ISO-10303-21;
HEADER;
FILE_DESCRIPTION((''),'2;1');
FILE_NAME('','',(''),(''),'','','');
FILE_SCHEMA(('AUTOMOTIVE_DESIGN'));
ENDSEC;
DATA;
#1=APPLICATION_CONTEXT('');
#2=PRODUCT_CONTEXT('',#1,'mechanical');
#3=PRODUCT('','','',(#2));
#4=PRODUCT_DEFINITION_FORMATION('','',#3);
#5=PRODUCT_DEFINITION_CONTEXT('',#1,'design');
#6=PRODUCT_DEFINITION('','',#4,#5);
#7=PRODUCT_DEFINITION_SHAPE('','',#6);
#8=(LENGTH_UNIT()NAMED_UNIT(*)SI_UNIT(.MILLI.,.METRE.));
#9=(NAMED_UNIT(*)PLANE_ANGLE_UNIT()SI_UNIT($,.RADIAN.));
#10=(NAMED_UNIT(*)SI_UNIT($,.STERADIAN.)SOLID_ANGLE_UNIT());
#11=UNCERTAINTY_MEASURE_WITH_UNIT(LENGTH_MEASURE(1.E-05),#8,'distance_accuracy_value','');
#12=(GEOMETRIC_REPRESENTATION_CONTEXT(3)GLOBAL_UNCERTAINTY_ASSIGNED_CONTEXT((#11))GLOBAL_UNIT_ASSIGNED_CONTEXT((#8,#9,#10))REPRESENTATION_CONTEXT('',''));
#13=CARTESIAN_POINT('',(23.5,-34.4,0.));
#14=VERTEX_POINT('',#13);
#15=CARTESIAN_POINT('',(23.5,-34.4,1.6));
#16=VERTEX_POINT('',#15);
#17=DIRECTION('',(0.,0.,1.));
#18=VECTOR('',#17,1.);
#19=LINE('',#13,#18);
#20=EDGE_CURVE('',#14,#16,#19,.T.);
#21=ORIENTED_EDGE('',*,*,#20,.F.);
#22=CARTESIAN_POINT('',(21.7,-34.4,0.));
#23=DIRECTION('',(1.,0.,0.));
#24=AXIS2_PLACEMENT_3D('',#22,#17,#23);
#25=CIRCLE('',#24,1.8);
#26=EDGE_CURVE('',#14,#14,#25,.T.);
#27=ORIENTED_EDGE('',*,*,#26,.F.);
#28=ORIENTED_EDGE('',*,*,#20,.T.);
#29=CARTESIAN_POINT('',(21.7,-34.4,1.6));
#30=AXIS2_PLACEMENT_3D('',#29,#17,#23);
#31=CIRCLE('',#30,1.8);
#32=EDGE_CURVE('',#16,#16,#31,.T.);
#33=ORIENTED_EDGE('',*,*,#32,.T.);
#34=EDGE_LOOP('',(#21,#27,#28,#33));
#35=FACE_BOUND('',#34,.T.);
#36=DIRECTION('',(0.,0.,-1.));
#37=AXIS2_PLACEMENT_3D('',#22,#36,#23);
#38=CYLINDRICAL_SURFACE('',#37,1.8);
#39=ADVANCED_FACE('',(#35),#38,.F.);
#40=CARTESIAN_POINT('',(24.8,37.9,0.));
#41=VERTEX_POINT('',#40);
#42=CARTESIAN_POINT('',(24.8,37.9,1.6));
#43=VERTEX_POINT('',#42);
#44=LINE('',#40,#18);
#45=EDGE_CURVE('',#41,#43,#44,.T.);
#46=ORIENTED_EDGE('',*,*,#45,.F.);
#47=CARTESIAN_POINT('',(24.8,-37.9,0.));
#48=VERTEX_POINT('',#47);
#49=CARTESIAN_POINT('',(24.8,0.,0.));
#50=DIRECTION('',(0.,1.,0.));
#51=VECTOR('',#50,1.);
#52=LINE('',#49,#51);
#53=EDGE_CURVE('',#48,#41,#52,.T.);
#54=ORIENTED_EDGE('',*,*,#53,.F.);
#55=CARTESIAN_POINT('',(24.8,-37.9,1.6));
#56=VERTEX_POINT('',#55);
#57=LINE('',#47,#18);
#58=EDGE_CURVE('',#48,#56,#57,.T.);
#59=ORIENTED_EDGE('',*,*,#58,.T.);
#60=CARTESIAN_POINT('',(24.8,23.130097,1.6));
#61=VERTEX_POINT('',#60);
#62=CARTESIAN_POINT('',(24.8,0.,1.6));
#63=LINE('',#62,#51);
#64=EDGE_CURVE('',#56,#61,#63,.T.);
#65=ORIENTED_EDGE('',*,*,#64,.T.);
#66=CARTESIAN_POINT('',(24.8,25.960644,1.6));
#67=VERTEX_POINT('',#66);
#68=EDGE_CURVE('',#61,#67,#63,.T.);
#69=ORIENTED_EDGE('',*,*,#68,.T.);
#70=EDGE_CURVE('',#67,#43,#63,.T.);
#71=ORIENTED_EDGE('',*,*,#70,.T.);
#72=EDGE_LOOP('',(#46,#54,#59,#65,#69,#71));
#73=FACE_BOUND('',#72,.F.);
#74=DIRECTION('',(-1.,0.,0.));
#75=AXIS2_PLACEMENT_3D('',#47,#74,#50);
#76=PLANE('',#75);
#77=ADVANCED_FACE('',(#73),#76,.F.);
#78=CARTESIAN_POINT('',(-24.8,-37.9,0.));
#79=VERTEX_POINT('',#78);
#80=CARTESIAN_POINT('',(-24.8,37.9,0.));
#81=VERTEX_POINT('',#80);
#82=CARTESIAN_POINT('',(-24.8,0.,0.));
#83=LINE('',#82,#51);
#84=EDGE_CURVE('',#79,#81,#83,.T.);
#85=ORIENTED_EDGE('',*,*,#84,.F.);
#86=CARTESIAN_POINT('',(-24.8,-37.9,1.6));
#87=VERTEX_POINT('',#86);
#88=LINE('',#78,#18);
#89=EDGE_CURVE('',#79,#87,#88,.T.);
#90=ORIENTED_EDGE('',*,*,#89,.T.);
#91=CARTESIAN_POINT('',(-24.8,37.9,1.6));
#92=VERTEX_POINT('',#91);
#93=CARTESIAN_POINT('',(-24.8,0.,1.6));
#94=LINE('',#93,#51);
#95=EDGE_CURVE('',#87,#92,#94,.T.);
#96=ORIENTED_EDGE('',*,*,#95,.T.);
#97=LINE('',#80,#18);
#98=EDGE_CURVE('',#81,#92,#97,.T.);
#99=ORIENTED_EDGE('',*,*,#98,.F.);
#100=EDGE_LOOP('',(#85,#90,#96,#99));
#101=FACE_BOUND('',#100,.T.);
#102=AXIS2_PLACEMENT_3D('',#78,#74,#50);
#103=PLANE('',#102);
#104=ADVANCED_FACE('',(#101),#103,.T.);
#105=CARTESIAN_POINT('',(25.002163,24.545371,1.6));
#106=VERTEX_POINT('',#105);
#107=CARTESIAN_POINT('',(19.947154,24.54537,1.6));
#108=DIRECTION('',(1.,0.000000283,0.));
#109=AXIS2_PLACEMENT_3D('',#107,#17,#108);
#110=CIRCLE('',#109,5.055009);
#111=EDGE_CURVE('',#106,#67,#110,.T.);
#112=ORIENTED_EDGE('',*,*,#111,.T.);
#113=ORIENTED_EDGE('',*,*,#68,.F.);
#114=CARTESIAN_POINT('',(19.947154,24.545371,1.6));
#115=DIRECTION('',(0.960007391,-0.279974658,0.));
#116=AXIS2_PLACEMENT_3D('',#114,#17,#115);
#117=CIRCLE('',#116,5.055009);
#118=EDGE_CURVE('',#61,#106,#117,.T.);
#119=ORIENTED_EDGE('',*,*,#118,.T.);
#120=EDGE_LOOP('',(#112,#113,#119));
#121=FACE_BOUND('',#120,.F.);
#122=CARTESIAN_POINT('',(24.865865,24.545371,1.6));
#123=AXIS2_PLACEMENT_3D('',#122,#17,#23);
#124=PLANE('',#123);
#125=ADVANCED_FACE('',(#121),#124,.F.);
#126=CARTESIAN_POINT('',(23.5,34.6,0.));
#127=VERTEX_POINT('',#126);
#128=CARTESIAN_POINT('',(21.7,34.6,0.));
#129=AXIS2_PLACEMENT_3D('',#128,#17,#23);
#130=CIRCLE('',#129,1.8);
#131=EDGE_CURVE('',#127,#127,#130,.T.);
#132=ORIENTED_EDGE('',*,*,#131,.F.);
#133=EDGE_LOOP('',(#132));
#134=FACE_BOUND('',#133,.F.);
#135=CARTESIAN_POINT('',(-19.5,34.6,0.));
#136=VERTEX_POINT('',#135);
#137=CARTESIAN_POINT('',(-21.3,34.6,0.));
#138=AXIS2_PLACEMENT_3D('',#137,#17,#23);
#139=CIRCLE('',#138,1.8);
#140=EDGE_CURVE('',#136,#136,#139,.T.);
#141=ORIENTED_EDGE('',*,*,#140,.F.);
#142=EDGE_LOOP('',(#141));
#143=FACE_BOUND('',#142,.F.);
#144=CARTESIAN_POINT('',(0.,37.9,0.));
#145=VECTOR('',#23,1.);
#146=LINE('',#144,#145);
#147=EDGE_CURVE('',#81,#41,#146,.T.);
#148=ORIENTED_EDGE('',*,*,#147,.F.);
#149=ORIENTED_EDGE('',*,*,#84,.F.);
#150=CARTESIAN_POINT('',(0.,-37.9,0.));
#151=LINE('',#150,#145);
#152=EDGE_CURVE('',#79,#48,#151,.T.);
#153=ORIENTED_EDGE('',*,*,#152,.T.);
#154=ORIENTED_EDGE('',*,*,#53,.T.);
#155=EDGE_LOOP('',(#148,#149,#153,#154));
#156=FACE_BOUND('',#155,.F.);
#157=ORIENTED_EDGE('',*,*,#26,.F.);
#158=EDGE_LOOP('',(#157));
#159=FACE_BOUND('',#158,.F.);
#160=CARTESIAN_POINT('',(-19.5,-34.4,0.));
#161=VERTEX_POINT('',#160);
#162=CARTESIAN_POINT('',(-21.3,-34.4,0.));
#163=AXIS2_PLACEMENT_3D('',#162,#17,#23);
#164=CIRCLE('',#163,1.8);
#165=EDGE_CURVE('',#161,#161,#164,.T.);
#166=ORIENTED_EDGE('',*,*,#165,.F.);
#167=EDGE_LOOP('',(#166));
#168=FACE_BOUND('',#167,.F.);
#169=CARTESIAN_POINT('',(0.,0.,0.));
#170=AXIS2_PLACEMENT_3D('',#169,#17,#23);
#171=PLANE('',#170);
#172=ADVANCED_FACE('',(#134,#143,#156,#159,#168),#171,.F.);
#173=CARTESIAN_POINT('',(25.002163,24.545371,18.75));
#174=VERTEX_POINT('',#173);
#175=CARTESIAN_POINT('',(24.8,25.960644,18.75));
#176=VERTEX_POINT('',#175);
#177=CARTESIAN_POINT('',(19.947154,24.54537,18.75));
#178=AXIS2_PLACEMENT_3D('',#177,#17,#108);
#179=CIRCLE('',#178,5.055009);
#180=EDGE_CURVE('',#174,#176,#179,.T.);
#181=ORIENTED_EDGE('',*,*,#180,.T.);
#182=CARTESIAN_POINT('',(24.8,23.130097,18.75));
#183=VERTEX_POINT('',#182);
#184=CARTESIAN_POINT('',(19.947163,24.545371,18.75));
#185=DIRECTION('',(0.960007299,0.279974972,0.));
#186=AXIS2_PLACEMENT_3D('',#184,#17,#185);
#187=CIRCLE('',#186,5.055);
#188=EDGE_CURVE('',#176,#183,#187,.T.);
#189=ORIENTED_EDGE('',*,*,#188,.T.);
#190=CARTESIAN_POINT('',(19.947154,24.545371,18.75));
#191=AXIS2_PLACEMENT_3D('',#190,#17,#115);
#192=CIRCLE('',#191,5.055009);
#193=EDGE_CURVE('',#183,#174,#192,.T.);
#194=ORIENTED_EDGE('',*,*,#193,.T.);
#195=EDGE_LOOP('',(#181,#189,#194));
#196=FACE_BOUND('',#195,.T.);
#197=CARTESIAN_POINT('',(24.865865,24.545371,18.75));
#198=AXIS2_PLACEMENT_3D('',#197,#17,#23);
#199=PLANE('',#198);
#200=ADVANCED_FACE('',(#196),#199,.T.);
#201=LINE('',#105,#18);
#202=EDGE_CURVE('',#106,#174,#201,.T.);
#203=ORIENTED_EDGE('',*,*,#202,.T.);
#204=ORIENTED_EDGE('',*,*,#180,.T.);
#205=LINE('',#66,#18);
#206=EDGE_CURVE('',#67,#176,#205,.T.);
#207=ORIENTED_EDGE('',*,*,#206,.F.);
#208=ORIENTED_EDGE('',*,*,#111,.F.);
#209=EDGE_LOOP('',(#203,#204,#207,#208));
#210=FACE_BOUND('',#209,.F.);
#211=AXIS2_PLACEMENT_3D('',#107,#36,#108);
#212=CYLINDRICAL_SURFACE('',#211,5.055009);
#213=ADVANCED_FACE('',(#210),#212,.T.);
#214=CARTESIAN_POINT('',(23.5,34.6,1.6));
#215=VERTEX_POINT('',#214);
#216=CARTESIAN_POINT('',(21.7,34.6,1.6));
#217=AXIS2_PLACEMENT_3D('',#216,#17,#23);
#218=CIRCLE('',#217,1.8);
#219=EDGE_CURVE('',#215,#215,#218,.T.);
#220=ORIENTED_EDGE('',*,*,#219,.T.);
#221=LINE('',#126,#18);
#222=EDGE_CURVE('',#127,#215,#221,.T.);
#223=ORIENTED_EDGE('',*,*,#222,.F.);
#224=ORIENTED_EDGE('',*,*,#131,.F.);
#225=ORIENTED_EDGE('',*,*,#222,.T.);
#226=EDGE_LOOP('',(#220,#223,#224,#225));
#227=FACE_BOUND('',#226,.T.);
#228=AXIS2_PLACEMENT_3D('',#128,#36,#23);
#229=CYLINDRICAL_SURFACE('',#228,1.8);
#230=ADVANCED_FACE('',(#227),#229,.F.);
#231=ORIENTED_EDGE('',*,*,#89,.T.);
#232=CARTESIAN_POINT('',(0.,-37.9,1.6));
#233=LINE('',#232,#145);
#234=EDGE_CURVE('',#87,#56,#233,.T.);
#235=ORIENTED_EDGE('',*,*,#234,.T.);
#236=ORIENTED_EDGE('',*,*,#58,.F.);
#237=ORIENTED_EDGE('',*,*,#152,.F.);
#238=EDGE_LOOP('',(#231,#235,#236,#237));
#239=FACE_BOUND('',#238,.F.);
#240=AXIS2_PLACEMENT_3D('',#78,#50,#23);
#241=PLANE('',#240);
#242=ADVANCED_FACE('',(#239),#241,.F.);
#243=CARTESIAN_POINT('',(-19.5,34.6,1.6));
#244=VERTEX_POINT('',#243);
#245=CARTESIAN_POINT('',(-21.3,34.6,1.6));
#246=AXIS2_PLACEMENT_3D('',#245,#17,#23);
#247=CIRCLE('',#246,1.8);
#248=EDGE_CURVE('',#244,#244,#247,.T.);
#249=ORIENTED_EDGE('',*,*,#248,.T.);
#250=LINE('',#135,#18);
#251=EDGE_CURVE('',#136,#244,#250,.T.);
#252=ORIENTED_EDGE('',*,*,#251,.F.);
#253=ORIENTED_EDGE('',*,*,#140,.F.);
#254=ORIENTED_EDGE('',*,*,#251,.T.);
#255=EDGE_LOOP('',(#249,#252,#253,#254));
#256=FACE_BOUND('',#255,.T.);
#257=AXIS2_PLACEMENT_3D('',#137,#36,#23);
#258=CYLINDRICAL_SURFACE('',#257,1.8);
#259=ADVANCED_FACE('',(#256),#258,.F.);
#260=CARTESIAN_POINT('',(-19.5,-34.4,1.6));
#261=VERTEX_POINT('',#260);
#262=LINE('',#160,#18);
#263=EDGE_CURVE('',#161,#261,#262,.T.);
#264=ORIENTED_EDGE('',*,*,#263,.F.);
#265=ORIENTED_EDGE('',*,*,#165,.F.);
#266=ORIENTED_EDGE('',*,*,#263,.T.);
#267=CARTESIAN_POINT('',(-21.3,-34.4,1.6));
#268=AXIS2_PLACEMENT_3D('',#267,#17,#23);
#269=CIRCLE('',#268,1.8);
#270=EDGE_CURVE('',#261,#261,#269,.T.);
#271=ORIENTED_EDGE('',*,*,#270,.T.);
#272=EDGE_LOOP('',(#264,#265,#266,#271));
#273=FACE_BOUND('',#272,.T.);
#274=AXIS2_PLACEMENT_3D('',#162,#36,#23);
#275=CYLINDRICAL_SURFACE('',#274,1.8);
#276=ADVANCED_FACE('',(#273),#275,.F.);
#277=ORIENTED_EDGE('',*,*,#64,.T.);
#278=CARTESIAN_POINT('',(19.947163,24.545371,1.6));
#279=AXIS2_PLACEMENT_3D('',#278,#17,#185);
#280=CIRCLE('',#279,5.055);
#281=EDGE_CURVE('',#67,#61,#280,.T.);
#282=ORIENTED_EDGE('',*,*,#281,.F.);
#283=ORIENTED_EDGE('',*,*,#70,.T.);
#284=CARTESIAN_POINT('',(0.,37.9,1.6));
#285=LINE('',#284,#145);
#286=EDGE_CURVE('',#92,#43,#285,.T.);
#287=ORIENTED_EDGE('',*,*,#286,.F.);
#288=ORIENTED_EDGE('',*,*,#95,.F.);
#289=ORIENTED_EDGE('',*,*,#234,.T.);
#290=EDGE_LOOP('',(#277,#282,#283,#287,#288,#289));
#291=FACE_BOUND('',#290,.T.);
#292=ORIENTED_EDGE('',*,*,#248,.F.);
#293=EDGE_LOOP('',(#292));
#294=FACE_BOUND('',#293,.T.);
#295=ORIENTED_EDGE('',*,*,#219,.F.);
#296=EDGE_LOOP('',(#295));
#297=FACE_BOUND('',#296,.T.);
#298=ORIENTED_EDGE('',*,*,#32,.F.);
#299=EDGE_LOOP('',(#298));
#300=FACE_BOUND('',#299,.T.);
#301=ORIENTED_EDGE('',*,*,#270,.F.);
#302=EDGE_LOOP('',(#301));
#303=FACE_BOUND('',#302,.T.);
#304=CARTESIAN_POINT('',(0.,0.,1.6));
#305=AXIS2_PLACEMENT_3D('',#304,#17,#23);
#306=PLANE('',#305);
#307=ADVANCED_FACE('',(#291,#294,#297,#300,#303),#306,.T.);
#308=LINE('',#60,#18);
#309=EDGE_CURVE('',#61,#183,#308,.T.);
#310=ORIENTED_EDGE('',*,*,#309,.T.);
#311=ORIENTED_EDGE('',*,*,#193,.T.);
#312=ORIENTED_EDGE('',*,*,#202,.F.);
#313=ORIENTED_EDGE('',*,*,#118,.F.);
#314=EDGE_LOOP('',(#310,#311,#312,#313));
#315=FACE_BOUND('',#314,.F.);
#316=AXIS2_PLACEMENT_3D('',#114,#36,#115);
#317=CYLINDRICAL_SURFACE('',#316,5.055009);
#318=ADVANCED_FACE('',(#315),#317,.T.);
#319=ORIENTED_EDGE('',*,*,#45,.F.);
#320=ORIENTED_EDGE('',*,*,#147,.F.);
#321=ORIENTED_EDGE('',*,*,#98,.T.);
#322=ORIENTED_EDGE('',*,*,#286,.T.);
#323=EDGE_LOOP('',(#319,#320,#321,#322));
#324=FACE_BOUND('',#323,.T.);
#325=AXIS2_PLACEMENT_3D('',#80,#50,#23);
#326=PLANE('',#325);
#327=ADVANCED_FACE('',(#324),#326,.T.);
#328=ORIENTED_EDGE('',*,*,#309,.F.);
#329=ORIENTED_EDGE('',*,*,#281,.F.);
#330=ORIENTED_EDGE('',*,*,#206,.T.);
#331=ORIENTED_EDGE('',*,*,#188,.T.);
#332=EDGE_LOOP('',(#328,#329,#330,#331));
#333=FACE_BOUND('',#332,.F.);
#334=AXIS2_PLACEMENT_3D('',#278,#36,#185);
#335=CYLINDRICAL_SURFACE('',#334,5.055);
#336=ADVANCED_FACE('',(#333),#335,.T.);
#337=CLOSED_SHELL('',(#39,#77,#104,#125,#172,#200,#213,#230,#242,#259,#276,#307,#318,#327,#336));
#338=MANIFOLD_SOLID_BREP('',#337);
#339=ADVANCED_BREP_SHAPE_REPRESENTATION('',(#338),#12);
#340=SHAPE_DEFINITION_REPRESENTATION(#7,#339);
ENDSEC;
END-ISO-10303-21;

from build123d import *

# Parameters (mm, degrees)
F0_W     = 49.6
F0_H     = 75.8
F0_R     = 1.8
F1_DEPTH = 1.6
F3_DEPTH = 17.15


with BuildPart() as f1:
    # F0 (on Top) → F1 (new body)
    with BuildSketch(Plane.XY):
        Rectangle(F0_W, F0_H)
        with Locations((-21.3, -34.4)):
            Circle(F0_R, mode=Mode.SUBTRACT)
        with Locations((21.7, -34.4)):
            Circle(F0_R, mode=Mode.SUBTRACT)
        with Locations((-21.3, 34.6)):
            Circle(F0_R, mode=Mode.SUBTRACT)
        with Locations((21.7, 34.6)):
            Circle(F0_R, mode=Mode.SUBTRACT)
    extrude(amount=F1_DEPTH)

    # F2 (on face) → F3 (join)
    with BuildSketch(Plane.XY.offset(1.6)):
        with BuildLine():
            ThreePointArc((24.8, 23.130097), (24.951367, 23.830551), (25.002163, 24.545371))
            ThreePointArc((25.002163, 24.545371), (24.951367, 25.26019), (24.8, 25.960644))
            Line((24.8, 25.960644), (24.8, 23.130097))
        make_face()
        with BuildLine():
            Line((24.8, 23.130097), (24.8, 25.960644))
            ThreePointArc((24.8, 25.960644), (14.892163, 24.545371), (24.8, 23.130097))
        make_face()
    extrude(amount=F3_DEPTH)


solid = f1.part
